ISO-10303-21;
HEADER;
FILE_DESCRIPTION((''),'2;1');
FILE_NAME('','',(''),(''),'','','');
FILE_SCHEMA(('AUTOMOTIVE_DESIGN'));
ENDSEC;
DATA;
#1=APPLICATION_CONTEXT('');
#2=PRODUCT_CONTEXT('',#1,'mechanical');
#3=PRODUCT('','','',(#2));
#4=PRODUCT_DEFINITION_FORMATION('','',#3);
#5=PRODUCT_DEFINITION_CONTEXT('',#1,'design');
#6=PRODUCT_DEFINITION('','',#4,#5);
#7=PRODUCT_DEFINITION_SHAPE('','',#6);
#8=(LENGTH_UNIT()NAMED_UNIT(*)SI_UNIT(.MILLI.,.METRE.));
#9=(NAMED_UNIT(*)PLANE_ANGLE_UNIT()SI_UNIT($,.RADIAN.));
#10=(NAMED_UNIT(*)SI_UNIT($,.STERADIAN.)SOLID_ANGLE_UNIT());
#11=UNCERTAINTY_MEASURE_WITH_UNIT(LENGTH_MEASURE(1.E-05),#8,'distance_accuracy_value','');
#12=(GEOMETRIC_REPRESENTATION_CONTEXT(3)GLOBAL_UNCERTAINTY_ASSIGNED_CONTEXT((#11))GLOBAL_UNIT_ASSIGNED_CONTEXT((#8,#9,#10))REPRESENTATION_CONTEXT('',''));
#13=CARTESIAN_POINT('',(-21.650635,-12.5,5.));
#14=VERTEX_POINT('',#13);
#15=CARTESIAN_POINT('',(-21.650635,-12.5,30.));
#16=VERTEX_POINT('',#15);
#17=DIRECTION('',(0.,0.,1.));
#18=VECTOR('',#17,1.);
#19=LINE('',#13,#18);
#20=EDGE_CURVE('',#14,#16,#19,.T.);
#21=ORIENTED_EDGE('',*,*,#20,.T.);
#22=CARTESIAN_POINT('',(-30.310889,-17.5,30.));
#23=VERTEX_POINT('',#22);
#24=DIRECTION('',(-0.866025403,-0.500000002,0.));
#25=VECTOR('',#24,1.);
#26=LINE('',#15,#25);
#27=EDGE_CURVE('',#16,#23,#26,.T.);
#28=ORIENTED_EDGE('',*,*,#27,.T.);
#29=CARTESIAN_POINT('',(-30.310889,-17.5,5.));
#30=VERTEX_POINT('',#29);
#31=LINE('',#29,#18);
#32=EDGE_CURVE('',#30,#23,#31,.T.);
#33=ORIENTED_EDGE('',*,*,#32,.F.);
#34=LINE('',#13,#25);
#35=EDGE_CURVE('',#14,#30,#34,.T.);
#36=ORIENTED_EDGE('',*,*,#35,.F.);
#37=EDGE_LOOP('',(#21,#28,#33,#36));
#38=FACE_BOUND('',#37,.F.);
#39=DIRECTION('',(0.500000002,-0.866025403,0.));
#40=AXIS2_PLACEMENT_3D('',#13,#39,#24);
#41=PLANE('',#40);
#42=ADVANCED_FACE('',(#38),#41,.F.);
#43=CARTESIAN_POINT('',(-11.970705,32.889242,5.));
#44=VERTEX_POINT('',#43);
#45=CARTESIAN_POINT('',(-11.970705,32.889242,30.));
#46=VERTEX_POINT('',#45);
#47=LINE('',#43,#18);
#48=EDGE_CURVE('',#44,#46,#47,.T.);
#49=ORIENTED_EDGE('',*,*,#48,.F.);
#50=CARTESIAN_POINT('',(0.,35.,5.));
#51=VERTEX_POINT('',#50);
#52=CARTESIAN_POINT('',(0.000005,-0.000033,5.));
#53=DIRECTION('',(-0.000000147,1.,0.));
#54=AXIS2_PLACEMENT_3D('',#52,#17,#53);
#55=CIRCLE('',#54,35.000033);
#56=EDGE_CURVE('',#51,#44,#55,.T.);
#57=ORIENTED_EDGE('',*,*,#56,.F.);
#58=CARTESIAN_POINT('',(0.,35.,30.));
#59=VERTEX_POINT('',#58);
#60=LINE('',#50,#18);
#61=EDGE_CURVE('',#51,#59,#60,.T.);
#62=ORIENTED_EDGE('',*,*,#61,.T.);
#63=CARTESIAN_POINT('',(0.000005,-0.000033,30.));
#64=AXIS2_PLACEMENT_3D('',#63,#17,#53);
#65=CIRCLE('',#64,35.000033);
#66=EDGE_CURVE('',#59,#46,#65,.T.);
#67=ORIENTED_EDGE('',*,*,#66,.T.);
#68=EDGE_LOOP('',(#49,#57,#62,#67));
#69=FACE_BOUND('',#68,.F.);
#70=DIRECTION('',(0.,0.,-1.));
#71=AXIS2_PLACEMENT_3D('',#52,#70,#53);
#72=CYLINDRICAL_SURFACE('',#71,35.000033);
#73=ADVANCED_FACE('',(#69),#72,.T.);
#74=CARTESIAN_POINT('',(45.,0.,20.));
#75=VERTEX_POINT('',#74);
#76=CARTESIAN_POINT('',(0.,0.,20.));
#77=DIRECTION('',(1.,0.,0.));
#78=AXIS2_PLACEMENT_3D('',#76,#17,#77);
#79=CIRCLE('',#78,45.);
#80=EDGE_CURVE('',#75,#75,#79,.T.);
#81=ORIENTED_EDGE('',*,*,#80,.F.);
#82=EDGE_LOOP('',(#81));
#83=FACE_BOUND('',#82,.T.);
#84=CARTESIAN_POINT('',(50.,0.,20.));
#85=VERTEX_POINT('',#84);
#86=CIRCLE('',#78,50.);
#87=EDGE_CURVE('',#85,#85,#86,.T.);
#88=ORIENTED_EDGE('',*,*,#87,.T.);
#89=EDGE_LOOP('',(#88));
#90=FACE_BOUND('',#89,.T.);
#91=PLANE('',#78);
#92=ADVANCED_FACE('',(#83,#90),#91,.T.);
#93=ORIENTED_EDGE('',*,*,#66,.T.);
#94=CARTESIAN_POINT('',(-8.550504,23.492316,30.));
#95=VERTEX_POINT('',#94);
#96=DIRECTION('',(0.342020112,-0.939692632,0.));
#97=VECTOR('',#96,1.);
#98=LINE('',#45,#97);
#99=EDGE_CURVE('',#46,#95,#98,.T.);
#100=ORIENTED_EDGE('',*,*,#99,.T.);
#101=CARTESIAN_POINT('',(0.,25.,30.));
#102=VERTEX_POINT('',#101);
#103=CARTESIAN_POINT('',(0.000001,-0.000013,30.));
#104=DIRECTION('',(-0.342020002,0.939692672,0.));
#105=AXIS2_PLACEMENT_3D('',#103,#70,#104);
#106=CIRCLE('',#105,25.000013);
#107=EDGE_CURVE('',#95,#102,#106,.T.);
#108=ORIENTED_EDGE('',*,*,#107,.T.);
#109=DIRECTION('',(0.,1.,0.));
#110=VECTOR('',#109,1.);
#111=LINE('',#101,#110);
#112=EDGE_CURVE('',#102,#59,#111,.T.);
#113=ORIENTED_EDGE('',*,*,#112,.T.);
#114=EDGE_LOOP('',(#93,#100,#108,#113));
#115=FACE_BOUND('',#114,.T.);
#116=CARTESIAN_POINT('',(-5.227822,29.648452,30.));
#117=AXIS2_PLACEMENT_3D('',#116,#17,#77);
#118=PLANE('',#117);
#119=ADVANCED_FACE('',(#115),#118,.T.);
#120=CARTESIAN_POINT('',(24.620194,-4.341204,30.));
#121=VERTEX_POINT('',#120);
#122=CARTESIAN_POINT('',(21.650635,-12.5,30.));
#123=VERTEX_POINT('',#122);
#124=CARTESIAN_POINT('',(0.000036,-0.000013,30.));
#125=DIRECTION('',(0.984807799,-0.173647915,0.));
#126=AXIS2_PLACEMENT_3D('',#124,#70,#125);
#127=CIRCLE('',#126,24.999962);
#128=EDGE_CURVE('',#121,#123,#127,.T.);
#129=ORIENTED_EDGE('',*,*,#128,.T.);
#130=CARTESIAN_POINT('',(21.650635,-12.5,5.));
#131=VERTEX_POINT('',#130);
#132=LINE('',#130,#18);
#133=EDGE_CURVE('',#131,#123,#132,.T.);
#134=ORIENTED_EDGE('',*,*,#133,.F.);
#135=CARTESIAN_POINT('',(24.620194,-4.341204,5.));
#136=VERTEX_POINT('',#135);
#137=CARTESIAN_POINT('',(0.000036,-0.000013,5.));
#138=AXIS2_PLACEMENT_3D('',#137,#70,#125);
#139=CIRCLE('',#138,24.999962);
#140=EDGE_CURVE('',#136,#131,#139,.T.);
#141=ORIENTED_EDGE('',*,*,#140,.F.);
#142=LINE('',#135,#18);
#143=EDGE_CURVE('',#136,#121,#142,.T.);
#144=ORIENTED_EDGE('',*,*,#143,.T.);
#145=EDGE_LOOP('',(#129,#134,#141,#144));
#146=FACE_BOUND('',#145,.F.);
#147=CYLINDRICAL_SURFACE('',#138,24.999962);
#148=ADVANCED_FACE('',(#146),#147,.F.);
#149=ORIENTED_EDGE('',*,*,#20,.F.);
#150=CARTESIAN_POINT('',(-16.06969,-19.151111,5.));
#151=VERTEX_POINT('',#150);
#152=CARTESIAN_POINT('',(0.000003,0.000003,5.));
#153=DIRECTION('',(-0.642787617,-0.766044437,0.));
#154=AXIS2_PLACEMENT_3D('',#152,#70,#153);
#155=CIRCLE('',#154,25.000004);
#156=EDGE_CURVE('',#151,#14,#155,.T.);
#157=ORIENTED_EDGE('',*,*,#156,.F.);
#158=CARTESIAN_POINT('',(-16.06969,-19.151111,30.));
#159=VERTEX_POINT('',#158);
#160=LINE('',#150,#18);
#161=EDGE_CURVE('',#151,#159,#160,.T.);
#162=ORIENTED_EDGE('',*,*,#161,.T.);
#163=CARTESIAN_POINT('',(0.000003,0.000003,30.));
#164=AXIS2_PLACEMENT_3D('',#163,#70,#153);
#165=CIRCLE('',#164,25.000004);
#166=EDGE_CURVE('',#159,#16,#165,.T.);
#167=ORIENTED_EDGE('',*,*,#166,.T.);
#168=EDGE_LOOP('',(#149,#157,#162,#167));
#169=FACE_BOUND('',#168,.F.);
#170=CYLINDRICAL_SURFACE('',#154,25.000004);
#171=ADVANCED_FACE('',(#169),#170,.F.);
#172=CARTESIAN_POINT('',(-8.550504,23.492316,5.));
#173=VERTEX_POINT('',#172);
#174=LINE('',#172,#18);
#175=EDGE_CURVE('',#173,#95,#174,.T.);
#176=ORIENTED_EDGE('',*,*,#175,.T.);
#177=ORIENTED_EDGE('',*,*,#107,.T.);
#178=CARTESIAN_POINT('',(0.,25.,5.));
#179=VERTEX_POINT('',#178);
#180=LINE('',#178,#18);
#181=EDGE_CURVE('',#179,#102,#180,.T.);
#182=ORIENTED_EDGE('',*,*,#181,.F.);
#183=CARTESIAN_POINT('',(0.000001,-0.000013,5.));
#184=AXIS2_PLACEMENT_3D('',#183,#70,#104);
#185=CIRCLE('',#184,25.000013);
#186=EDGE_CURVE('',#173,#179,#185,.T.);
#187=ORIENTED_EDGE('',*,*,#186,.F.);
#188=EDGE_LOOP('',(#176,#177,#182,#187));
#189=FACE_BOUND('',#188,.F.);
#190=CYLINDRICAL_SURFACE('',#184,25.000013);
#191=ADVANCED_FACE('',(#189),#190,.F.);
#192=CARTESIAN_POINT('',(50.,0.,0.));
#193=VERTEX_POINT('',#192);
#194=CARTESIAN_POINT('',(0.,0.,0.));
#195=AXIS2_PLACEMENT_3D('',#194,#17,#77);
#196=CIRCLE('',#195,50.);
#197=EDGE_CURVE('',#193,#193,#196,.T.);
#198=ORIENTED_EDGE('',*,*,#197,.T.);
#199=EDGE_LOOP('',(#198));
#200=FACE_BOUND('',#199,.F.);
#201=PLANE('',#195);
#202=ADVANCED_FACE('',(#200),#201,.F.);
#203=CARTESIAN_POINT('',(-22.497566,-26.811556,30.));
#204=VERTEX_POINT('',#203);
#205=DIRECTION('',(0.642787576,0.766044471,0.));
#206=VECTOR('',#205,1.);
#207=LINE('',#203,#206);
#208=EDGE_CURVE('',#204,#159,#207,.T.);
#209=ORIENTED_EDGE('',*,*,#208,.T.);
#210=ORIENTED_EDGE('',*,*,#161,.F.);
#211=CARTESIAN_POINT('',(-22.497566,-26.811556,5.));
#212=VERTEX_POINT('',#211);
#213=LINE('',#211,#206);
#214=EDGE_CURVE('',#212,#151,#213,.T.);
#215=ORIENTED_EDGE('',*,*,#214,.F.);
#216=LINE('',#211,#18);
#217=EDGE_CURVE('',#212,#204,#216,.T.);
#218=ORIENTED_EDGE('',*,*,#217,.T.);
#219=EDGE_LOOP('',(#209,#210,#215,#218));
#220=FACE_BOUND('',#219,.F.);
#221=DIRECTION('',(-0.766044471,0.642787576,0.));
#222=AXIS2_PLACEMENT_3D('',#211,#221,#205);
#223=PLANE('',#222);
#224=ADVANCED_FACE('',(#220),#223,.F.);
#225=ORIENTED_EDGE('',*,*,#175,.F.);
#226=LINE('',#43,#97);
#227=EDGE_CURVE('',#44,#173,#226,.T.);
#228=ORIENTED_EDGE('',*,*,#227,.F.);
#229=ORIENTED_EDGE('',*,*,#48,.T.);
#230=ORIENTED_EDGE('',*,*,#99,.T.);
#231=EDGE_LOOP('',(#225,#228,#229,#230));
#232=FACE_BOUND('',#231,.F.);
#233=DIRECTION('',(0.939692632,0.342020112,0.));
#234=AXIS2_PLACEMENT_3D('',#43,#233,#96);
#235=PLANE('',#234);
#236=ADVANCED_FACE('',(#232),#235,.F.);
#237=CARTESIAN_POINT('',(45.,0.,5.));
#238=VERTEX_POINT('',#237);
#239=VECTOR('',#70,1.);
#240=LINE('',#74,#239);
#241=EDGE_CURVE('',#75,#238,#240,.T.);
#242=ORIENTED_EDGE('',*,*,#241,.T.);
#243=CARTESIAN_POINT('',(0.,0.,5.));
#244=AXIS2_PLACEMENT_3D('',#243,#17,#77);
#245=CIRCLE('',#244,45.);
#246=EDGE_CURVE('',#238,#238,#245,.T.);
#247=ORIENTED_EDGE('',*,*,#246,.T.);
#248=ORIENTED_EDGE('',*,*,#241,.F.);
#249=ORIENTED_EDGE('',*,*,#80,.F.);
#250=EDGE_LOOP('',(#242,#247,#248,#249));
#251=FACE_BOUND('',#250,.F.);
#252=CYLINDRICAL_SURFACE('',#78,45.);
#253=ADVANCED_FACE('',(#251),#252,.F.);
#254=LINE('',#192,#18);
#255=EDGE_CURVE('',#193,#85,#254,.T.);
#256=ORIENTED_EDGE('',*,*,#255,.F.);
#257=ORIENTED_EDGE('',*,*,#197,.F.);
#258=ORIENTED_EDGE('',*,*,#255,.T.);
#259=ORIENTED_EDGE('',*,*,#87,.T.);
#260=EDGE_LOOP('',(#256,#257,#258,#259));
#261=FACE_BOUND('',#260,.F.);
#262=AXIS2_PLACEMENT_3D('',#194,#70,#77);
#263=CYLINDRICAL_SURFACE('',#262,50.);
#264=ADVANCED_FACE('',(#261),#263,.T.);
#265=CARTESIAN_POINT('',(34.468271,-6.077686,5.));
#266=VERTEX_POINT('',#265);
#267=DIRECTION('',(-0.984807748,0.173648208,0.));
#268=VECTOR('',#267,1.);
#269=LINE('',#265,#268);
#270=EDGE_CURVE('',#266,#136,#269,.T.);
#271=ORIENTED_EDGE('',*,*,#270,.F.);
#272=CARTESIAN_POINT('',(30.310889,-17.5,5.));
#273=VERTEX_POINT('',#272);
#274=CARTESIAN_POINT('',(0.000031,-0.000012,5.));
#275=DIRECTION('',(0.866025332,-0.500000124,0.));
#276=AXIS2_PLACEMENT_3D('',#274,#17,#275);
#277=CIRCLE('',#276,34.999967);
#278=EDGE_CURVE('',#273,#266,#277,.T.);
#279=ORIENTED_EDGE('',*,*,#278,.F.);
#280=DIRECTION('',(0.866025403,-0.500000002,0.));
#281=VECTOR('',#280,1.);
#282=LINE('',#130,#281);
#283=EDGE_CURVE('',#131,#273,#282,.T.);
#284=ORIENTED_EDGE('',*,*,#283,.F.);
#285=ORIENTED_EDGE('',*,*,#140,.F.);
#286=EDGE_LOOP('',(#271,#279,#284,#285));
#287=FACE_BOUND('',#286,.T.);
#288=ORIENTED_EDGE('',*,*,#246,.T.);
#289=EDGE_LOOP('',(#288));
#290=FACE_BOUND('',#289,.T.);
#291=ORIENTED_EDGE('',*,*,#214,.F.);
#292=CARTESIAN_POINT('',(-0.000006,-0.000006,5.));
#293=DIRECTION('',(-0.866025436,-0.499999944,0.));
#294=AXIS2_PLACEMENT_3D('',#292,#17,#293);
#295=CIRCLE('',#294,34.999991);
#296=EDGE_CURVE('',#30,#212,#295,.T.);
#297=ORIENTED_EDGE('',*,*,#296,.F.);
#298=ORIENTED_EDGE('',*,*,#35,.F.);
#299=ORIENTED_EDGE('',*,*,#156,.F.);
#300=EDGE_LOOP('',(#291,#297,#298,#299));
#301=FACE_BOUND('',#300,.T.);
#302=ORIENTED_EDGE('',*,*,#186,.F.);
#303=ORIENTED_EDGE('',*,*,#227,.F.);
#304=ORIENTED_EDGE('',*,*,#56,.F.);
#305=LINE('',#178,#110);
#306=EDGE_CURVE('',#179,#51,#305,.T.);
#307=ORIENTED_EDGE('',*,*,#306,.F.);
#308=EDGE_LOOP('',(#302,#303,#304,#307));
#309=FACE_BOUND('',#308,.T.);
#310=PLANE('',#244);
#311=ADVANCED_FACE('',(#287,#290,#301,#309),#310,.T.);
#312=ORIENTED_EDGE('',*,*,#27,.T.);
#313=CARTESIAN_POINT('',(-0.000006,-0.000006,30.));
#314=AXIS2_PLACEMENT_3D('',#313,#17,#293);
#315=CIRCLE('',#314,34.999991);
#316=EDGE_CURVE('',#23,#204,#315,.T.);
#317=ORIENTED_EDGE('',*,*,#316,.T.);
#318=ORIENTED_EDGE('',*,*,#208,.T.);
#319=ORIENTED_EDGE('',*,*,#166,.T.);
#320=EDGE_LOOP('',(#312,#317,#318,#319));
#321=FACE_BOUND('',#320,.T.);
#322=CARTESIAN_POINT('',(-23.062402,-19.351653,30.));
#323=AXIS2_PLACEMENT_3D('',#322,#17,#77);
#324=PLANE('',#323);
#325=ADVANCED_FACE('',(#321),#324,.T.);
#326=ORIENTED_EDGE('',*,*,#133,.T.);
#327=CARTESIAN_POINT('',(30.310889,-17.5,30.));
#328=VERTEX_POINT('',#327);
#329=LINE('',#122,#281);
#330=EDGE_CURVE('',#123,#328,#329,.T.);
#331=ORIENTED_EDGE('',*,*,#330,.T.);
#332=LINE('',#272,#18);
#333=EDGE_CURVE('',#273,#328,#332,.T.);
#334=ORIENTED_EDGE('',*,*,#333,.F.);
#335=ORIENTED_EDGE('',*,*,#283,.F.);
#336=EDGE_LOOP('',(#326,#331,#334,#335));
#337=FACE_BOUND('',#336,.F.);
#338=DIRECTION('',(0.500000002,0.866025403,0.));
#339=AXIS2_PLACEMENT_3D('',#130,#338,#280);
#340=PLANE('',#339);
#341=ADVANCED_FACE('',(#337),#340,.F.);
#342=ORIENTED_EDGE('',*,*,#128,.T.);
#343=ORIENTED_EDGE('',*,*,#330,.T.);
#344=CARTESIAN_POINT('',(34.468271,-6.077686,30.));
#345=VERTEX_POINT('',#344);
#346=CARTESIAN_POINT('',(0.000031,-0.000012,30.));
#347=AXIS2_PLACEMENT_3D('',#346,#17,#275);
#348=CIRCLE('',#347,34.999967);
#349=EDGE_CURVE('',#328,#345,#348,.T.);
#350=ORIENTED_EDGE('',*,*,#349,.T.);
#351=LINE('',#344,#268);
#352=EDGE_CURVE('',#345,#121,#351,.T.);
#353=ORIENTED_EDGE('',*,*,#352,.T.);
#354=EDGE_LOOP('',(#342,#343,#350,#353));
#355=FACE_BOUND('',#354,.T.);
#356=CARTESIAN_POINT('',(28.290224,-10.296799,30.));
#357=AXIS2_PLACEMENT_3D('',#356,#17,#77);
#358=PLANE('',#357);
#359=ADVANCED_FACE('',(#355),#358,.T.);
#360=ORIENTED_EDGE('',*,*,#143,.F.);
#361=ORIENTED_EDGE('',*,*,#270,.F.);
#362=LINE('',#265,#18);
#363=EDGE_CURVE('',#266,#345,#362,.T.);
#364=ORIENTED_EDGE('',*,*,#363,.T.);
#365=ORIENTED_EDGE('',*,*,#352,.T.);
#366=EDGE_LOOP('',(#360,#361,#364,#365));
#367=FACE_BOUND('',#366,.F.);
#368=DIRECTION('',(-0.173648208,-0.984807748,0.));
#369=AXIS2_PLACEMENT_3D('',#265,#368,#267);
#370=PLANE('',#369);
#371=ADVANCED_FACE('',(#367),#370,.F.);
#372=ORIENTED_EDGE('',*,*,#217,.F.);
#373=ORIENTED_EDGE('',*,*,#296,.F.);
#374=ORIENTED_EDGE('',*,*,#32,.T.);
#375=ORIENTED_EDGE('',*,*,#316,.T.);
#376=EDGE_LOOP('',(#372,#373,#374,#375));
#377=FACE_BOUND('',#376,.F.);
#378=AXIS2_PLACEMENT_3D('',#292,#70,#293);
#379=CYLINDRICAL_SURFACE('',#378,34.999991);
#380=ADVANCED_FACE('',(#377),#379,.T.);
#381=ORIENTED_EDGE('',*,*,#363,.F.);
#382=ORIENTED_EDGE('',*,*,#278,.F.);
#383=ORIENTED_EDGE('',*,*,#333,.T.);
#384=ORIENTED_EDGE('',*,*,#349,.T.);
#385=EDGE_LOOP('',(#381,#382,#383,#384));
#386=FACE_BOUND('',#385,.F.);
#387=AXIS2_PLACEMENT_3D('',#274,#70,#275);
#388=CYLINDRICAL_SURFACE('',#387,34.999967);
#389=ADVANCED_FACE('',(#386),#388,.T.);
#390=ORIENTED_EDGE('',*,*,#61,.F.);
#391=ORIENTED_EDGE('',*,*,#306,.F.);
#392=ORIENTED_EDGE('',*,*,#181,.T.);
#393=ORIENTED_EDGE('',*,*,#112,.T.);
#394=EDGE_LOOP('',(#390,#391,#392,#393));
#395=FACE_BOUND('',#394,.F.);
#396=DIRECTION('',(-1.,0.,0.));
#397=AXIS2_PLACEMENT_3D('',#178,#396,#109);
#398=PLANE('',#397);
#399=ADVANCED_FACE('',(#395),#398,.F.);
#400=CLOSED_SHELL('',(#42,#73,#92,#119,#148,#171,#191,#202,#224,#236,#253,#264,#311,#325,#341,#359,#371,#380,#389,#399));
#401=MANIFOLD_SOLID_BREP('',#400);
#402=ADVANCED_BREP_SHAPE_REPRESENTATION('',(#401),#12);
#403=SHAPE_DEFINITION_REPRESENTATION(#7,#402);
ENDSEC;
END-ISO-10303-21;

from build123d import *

# Parameters (mm, degrees)
F0_R     = 50
F1_DEPTH = 20
F2_R     = 45
F3_DEPTH = 15
F5_DEPTH = 25


with BuildPart() as f1:
    # F0 (on Top) → F1 (new body)
    with BuildSketch(Plane.XY):
        Circle(F0_R)
    extrude(amount=F1_DEPTH)

    # F2 (on face) → F3 (cut)
    with BuildSketch(Plane.XY.offset(20)):
        Circle(F2_R)
    extrude(amount=-F3_DEPTH, mode=Mode.SUBTRACT)

    # F4 (on face) → F5 (join)
    with BuildSketch(Plane.XY.offset(5)):
        with BuildLine():
            ThreePointArc((0, 35), (-6.077686, 34.468271), (-11.970705, 32.889242))
            Line((-11.970705, 32.889242), (-8.550504, 23.492316))
            ThreePointArc((-8.550504, 23.492316), (-4.341204, 24.620194), (0, 25))
            Line((0, 25), (0, 35))
        make_face()
        with BuildLine():
            ThreePointArc((-30.310889, -17.5), (-26.811556, -22.497566), (-22.497566, -26.811556))
            Line((-22.497566, -26.811556), (-16.06969, -19.151111))
            ThreePointArc((-16.06969, -19.151111), (-19.151111, -16.06969), (-21.650635, -12.5))
            Line((-21.650635, -12.5), (-30.310889, -17.5))
        make_face()
        with BuildLine():
            ThreePointArc((30.310889, -17.5), (32.889242, -11.970705), (34.468271, -6.077686))
            Line((34.468271, -6.077686), (24.620194, -4.341204))
            ThreePointArc((24.620194, -4.341204), (23.492316, -8.550504), (21.650635, -12.5))
            Line((21.650635, -12.5), (30.310889, -17.5))
        make_face()
    extrude(amount=F5_DEPTH)


solid = f1.part
